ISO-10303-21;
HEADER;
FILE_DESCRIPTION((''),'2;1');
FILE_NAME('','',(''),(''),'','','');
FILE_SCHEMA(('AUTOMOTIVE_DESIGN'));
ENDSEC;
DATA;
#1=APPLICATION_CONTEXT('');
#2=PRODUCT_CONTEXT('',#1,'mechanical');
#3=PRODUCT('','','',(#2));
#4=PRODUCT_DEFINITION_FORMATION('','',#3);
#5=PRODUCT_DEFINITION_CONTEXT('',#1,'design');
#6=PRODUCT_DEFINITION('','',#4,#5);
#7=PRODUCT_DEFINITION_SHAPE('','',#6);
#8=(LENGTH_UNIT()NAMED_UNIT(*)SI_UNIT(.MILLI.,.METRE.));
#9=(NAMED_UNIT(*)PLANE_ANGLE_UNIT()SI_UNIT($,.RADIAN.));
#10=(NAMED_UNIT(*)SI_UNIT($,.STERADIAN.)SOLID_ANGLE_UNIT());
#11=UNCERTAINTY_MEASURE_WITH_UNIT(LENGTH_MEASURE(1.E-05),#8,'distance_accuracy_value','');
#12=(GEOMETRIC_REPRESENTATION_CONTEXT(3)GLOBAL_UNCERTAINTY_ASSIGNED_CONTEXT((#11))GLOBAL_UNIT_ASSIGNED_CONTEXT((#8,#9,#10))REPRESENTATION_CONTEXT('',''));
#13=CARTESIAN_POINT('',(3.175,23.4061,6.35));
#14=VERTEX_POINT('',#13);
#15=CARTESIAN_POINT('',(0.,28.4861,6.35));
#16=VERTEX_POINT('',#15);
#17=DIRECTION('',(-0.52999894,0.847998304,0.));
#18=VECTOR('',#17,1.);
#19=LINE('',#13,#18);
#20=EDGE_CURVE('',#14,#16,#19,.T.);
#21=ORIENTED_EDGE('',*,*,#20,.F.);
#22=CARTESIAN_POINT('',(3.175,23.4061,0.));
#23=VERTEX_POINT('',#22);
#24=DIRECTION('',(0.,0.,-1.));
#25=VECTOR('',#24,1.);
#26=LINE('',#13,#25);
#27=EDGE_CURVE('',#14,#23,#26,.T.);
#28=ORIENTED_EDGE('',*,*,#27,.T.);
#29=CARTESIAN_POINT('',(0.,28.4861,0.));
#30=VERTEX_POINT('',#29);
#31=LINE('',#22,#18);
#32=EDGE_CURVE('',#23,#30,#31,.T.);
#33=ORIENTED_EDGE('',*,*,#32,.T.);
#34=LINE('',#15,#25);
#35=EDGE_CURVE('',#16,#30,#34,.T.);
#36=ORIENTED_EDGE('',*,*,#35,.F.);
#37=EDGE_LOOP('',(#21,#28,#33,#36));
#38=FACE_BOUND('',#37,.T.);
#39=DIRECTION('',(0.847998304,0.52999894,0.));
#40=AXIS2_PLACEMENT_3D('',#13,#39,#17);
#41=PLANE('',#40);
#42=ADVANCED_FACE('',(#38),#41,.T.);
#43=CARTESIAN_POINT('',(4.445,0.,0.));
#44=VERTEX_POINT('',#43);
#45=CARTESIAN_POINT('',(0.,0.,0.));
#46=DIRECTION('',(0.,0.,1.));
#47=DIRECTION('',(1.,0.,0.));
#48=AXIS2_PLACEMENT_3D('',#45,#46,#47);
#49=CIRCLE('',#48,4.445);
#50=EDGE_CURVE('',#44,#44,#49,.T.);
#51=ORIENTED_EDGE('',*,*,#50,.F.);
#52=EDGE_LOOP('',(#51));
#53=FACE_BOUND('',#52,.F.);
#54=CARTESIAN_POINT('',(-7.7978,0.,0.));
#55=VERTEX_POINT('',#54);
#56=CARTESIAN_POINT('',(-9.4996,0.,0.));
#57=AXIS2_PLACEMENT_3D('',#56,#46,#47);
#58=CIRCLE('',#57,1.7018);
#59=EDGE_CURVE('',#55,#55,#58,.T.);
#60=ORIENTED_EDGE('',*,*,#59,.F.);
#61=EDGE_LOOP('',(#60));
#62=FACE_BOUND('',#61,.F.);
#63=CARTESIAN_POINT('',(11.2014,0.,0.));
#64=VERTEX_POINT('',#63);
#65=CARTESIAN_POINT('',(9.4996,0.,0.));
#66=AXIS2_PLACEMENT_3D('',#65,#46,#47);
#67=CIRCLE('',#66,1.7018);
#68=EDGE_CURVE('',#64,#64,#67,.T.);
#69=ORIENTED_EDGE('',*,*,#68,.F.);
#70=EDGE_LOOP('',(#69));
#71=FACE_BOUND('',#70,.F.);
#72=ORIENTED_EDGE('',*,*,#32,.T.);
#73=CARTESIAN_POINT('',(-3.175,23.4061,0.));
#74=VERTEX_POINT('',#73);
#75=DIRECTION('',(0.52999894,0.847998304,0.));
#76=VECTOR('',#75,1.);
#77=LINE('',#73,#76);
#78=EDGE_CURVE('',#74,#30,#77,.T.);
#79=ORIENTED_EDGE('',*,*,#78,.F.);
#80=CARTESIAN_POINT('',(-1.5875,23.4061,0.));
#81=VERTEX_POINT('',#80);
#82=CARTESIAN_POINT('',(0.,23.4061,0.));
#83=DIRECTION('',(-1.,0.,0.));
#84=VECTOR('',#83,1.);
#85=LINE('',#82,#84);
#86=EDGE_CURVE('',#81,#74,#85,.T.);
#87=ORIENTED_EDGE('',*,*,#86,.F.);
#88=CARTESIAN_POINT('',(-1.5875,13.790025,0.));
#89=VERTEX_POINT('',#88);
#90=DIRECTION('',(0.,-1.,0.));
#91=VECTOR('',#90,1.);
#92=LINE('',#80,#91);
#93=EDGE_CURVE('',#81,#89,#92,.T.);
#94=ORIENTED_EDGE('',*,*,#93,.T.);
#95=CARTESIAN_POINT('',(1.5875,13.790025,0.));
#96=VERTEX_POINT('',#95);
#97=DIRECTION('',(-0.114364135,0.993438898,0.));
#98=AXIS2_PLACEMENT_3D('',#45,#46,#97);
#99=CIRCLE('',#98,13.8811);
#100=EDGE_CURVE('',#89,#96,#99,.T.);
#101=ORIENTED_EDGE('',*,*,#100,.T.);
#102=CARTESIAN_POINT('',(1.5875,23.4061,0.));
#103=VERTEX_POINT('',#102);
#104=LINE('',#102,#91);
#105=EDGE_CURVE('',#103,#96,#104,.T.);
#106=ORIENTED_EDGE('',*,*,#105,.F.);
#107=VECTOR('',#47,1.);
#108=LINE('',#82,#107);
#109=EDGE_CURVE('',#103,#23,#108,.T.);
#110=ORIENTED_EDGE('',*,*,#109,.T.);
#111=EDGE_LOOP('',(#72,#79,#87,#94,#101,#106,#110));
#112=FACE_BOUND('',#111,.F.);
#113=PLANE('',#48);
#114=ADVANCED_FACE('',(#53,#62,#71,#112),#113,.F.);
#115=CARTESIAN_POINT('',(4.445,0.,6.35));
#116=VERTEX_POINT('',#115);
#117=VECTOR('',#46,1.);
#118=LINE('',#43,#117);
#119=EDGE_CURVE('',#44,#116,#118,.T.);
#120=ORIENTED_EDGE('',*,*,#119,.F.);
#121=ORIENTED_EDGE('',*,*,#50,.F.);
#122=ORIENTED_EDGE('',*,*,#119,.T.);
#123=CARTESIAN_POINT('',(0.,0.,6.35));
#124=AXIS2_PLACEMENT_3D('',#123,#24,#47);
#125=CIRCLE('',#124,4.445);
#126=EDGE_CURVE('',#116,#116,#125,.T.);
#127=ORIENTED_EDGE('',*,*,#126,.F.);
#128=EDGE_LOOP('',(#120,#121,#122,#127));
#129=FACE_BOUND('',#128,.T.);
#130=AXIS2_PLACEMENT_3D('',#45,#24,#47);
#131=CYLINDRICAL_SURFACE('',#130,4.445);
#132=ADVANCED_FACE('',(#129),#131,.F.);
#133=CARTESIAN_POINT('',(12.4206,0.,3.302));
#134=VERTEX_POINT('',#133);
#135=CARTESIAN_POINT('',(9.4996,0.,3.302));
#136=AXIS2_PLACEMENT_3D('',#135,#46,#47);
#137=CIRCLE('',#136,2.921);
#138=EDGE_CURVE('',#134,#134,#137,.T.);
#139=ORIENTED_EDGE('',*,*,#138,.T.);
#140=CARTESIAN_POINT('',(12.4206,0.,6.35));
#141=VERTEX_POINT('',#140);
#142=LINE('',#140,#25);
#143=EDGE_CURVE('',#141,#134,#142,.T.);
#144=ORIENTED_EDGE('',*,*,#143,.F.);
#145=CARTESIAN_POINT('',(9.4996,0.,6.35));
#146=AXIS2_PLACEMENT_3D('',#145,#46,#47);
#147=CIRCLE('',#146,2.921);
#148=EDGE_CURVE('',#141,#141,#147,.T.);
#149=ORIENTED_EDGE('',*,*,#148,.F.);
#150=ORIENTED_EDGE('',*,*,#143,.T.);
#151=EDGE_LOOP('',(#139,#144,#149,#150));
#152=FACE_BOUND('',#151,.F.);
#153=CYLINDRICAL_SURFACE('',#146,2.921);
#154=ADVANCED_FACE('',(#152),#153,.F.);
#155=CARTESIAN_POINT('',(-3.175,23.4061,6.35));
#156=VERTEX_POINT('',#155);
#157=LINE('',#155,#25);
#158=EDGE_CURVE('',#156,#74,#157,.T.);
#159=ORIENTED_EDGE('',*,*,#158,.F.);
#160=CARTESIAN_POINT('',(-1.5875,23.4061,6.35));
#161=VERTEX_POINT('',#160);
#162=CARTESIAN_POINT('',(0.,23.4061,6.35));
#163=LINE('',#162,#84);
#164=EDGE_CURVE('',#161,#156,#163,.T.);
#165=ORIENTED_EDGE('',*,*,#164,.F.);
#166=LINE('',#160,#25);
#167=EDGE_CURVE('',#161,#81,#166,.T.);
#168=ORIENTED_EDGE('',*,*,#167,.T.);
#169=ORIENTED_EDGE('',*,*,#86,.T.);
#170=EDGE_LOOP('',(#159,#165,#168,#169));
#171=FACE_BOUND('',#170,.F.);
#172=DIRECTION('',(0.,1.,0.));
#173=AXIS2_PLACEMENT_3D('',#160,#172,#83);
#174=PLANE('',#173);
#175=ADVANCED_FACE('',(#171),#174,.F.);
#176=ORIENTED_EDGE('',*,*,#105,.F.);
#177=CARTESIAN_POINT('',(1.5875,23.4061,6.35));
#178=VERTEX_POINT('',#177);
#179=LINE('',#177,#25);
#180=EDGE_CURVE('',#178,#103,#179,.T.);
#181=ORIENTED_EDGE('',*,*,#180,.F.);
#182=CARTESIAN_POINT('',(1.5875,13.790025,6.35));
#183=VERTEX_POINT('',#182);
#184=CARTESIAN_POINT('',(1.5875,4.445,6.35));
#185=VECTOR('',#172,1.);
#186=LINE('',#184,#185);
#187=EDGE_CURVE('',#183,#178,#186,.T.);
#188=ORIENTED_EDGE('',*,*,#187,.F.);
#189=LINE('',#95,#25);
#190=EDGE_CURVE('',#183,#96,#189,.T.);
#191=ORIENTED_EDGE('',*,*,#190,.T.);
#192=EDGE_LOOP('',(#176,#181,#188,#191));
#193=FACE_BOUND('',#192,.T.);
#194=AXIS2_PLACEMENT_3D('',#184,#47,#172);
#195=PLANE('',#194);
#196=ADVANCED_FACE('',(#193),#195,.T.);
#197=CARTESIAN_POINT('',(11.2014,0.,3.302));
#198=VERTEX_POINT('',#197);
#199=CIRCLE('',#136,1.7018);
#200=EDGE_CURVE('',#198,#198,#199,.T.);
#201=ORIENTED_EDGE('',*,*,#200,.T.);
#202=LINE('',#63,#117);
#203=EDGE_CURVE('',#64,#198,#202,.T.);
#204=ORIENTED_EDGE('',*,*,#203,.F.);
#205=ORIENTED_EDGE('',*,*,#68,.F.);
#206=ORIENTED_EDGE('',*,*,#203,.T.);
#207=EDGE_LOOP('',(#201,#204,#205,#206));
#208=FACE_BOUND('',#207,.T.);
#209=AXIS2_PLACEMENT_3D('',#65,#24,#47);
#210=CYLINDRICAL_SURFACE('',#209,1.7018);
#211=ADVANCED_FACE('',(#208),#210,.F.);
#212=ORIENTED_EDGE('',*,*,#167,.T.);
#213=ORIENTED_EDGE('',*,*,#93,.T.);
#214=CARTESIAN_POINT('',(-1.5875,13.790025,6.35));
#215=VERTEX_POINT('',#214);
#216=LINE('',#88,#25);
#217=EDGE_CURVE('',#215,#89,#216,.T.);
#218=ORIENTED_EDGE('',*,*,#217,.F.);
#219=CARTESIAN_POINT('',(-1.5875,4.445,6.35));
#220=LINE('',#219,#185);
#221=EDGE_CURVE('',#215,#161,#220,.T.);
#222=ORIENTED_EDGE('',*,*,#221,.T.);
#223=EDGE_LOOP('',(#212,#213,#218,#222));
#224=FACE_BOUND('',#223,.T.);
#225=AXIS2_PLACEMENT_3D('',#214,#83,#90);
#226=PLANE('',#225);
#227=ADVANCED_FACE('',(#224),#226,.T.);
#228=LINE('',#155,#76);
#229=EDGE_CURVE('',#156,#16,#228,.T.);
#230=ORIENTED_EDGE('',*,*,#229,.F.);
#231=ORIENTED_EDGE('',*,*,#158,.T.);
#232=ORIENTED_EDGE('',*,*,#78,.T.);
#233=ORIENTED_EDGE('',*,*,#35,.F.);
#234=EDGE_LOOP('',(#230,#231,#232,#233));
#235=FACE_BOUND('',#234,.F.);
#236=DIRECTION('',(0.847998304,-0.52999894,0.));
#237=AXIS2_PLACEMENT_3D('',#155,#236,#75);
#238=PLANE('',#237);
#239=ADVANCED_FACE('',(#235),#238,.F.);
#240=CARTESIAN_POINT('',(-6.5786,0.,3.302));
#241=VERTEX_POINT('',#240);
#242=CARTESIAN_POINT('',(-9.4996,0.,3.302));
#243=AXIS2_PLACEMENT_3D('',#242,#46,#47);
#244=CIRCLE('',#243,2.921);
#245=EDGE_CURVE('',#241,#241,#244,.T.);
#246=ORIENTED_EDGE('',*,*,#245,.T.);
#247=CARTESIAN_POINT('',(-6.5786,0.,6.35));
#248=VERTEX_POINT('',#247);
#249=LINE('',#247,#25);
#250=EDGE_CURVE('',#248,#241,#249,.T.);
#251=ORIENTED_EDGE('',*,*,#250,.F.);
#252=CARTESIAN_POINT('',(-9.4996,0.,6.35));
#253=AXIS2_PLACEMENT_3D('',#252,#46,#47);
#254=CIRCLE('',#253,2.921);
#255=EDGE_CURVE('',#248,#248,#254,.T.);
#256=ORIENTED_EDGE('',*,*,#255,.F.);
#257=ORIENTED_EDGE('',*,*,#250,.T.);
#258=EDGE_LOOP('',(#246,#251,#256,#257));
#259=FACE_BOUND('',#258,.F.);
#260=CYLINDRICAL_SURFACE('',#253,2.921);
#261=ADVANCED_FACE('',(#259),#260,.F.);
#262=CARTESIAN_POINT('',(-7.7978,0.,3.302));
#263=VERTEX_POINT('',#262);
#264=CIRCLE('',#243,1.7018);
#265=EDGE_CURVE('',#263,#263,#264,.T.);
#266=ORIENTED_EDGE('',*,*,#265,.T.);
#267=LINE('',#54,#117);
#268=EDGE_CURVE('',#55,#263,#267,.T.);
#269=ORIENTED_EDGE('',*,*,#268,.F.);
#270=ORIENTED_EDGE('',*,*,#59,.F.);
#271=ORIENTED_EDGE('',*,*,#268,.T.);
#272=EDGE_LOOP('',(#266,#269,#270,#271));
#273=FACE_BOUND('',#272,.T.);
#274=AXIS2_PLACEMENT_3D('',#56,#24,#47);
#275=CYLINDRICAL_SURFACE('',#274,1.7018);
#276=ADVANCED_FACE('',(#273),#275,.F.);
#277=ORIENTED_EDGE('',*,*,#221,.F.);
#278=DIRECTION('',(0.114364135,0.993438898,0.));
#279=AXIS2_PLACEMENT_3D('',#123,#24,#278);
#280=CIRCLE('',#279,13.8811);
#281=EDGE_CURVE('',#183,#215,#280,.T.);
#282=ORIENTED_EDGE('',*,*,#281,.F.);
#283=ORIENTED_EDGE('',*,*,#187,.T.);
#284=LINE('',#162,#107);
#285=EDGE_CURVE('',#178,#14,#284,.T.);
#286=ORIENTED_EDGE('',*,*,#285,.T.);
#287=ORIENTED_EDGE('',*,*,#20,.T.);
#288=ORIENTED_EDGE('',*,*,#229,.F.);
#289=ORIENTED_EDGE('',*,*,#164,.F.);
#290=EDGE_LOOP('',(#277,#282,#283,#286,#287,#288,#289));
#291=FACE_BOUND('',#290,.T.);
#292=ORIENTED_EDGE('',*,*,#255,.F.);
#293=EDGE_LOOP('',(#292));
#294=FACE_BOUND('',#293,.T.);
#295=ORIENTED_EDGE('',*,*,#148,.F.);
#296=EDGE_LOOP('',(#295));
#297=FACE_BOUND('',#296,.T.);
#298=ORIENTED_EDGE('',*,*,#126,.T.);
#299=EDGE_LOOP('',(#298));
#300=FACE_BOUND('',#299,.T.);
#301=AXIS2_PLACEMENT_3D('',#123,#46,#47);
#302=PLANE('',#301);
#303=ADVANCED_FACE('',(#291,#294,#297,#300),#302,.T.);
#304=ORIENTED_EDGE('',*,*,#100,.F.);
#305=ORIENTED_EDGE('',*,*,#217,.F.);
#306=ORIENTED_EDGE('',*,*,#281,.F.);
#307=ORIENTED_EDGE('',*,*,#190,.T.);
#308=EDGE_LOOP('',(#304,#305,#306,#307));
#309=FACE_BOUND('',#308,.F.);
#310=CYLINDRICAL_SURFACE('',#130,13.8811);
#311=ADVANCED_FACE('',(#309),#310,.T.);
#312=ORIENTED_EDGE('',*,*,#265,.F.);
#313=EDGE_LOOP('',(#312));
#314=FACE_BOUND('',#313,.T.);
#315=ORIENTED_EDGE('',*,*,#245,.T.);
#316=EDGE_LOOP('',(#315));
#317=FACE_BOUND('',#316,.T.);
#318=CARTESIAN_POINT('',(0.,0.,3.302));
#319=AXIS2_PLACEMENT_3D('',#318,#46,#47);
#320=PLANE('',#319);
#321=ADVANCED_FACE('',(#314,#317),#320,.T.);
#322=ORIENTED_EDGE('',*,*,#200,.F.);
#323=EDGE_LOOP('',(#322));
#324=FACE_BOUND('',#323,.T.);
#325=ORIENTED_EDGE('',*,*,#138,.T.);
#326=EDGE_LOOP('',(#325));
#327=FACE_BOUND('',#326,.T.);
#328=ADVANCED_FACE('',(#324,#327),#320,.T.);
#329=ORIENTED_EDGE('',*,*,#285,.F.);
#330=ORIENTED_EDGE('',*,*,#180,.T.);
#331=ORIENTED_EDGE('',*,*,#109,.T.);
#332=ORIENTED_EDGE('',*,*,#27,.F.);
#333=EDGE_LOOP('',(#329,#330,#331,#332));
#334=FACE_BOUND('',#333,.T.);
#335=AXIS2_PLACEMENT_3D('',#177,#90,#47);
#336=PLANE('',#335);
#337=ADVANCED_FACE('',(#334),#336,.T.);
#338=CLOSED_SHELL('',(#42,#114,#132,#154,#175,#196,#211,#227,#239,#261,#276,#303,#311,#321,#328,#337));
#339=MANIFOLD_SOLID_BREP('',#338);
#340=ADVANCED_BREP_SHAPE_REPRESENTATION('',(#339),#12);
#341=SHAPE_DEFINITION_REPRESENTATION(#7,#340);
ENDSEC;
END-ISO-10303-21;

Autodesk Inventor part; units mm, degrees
ref_plane "YZ Plane" through (0, 0, 0) normal (1, 0, 0) x (0, 1, 0)
ref_plane "XZ Plane" through (0, 0, 0) normal (0, 1, 0) x (-1, 0, 0)
ref_plane "XY Plane" through (0, 0, 0) normal (0, 0, 1) x (1, 0, 0)
sketch "Sketch1" plane through (0, 0, 0) normal (0, 0, 1) x (1, 0, 0)
  circle A0 centre (0, 0) radius 13.8811
  circle A1 centre (0, 0) radius 4.445
  circle A2 centre (-9.4996, 0) radius 1.7018
  circle A3 centre (9.4996, 0) radius 1.7018
  dimension "d0" = 27.7622
  dimension "d1" = 8.89
  dimension "d2" = 18.9992
  dimension "d3" = 9.4996
  dimension "d4" = 3.4036
  dimension "d5" = 3.4036
extrude "Extrusion1" add sketch "Sketch1" along normal blind 6.35
sketch "Sketch2" plane through (0, 0, 6.35) normal (0, 0, 1) x (1, 0, 0)
  line L0 (-1.5875, 4.445) -> (1.5875, 4.445)
  line L1 (1.5875, 4.445) -> (1.5875, 23.4061)
  line L2 (1.5875, 23.4061) -> (-1.5875, 23.4061)
  line L3 (-1.5875, 23.4061) -> (-1.5875, 4.445)
  circle A0 centre (0, 0) radius 4.445 projected
  circle A1 centre (0, 0) radius 13.8811 projected
  line L4 (0, 23.4061) -> (-3.175, 23.4061)
  line L5 (-3.175, 23.4061) -> (0, 28.4861)
  line L6 (0, 23.4061) -> (0, 21.3049) construction
  line L7 (0, 23.4061) -> (3.175, 23.4061)
  line L8 (3.175, 23.4061) -> (0, 28.4861)
  point P0 (0, 4.445)
  dimension "d8" = 3.175
  dimension "d9" = 9.525
  dimension "d10" = 5.08
  dimension "d11" = 3.175
extrude "Extrusion2" add sketch "Sketch2" against normal up to surface (6.35 mm away) contours L3 A1 L1 L0 | L3 L2 L1 A1 | L4 L5 L8 L7 L2 picked at (-1.0583, 7.56)
sketch "Sketch3" plane through (0, 0, 6.35) normal (0, 0, 1) x (1, 0, 0)
  circle A0 centre (-9.4996, 0) radius 1.7018 projected
  circle A1 centre (-9.4996, 0) radius 2.921
  circle A2 centre (9.4996, 0) radius 1.7018 projected
  circle A3 centre (9.4996, 0) radius 2.921
  point P0 (0, 0)
  dimension "d14" = 5.842
  dimension "d15" = 5.842
extrude "Extrusion3" cut sketch "Sketch3" against normal blind 3.048
equation "\"d3\" = 0.5 * d2"
equation "\"d15\" = d14"
properties part number "Brushless_Motor_Base_Arrow"
